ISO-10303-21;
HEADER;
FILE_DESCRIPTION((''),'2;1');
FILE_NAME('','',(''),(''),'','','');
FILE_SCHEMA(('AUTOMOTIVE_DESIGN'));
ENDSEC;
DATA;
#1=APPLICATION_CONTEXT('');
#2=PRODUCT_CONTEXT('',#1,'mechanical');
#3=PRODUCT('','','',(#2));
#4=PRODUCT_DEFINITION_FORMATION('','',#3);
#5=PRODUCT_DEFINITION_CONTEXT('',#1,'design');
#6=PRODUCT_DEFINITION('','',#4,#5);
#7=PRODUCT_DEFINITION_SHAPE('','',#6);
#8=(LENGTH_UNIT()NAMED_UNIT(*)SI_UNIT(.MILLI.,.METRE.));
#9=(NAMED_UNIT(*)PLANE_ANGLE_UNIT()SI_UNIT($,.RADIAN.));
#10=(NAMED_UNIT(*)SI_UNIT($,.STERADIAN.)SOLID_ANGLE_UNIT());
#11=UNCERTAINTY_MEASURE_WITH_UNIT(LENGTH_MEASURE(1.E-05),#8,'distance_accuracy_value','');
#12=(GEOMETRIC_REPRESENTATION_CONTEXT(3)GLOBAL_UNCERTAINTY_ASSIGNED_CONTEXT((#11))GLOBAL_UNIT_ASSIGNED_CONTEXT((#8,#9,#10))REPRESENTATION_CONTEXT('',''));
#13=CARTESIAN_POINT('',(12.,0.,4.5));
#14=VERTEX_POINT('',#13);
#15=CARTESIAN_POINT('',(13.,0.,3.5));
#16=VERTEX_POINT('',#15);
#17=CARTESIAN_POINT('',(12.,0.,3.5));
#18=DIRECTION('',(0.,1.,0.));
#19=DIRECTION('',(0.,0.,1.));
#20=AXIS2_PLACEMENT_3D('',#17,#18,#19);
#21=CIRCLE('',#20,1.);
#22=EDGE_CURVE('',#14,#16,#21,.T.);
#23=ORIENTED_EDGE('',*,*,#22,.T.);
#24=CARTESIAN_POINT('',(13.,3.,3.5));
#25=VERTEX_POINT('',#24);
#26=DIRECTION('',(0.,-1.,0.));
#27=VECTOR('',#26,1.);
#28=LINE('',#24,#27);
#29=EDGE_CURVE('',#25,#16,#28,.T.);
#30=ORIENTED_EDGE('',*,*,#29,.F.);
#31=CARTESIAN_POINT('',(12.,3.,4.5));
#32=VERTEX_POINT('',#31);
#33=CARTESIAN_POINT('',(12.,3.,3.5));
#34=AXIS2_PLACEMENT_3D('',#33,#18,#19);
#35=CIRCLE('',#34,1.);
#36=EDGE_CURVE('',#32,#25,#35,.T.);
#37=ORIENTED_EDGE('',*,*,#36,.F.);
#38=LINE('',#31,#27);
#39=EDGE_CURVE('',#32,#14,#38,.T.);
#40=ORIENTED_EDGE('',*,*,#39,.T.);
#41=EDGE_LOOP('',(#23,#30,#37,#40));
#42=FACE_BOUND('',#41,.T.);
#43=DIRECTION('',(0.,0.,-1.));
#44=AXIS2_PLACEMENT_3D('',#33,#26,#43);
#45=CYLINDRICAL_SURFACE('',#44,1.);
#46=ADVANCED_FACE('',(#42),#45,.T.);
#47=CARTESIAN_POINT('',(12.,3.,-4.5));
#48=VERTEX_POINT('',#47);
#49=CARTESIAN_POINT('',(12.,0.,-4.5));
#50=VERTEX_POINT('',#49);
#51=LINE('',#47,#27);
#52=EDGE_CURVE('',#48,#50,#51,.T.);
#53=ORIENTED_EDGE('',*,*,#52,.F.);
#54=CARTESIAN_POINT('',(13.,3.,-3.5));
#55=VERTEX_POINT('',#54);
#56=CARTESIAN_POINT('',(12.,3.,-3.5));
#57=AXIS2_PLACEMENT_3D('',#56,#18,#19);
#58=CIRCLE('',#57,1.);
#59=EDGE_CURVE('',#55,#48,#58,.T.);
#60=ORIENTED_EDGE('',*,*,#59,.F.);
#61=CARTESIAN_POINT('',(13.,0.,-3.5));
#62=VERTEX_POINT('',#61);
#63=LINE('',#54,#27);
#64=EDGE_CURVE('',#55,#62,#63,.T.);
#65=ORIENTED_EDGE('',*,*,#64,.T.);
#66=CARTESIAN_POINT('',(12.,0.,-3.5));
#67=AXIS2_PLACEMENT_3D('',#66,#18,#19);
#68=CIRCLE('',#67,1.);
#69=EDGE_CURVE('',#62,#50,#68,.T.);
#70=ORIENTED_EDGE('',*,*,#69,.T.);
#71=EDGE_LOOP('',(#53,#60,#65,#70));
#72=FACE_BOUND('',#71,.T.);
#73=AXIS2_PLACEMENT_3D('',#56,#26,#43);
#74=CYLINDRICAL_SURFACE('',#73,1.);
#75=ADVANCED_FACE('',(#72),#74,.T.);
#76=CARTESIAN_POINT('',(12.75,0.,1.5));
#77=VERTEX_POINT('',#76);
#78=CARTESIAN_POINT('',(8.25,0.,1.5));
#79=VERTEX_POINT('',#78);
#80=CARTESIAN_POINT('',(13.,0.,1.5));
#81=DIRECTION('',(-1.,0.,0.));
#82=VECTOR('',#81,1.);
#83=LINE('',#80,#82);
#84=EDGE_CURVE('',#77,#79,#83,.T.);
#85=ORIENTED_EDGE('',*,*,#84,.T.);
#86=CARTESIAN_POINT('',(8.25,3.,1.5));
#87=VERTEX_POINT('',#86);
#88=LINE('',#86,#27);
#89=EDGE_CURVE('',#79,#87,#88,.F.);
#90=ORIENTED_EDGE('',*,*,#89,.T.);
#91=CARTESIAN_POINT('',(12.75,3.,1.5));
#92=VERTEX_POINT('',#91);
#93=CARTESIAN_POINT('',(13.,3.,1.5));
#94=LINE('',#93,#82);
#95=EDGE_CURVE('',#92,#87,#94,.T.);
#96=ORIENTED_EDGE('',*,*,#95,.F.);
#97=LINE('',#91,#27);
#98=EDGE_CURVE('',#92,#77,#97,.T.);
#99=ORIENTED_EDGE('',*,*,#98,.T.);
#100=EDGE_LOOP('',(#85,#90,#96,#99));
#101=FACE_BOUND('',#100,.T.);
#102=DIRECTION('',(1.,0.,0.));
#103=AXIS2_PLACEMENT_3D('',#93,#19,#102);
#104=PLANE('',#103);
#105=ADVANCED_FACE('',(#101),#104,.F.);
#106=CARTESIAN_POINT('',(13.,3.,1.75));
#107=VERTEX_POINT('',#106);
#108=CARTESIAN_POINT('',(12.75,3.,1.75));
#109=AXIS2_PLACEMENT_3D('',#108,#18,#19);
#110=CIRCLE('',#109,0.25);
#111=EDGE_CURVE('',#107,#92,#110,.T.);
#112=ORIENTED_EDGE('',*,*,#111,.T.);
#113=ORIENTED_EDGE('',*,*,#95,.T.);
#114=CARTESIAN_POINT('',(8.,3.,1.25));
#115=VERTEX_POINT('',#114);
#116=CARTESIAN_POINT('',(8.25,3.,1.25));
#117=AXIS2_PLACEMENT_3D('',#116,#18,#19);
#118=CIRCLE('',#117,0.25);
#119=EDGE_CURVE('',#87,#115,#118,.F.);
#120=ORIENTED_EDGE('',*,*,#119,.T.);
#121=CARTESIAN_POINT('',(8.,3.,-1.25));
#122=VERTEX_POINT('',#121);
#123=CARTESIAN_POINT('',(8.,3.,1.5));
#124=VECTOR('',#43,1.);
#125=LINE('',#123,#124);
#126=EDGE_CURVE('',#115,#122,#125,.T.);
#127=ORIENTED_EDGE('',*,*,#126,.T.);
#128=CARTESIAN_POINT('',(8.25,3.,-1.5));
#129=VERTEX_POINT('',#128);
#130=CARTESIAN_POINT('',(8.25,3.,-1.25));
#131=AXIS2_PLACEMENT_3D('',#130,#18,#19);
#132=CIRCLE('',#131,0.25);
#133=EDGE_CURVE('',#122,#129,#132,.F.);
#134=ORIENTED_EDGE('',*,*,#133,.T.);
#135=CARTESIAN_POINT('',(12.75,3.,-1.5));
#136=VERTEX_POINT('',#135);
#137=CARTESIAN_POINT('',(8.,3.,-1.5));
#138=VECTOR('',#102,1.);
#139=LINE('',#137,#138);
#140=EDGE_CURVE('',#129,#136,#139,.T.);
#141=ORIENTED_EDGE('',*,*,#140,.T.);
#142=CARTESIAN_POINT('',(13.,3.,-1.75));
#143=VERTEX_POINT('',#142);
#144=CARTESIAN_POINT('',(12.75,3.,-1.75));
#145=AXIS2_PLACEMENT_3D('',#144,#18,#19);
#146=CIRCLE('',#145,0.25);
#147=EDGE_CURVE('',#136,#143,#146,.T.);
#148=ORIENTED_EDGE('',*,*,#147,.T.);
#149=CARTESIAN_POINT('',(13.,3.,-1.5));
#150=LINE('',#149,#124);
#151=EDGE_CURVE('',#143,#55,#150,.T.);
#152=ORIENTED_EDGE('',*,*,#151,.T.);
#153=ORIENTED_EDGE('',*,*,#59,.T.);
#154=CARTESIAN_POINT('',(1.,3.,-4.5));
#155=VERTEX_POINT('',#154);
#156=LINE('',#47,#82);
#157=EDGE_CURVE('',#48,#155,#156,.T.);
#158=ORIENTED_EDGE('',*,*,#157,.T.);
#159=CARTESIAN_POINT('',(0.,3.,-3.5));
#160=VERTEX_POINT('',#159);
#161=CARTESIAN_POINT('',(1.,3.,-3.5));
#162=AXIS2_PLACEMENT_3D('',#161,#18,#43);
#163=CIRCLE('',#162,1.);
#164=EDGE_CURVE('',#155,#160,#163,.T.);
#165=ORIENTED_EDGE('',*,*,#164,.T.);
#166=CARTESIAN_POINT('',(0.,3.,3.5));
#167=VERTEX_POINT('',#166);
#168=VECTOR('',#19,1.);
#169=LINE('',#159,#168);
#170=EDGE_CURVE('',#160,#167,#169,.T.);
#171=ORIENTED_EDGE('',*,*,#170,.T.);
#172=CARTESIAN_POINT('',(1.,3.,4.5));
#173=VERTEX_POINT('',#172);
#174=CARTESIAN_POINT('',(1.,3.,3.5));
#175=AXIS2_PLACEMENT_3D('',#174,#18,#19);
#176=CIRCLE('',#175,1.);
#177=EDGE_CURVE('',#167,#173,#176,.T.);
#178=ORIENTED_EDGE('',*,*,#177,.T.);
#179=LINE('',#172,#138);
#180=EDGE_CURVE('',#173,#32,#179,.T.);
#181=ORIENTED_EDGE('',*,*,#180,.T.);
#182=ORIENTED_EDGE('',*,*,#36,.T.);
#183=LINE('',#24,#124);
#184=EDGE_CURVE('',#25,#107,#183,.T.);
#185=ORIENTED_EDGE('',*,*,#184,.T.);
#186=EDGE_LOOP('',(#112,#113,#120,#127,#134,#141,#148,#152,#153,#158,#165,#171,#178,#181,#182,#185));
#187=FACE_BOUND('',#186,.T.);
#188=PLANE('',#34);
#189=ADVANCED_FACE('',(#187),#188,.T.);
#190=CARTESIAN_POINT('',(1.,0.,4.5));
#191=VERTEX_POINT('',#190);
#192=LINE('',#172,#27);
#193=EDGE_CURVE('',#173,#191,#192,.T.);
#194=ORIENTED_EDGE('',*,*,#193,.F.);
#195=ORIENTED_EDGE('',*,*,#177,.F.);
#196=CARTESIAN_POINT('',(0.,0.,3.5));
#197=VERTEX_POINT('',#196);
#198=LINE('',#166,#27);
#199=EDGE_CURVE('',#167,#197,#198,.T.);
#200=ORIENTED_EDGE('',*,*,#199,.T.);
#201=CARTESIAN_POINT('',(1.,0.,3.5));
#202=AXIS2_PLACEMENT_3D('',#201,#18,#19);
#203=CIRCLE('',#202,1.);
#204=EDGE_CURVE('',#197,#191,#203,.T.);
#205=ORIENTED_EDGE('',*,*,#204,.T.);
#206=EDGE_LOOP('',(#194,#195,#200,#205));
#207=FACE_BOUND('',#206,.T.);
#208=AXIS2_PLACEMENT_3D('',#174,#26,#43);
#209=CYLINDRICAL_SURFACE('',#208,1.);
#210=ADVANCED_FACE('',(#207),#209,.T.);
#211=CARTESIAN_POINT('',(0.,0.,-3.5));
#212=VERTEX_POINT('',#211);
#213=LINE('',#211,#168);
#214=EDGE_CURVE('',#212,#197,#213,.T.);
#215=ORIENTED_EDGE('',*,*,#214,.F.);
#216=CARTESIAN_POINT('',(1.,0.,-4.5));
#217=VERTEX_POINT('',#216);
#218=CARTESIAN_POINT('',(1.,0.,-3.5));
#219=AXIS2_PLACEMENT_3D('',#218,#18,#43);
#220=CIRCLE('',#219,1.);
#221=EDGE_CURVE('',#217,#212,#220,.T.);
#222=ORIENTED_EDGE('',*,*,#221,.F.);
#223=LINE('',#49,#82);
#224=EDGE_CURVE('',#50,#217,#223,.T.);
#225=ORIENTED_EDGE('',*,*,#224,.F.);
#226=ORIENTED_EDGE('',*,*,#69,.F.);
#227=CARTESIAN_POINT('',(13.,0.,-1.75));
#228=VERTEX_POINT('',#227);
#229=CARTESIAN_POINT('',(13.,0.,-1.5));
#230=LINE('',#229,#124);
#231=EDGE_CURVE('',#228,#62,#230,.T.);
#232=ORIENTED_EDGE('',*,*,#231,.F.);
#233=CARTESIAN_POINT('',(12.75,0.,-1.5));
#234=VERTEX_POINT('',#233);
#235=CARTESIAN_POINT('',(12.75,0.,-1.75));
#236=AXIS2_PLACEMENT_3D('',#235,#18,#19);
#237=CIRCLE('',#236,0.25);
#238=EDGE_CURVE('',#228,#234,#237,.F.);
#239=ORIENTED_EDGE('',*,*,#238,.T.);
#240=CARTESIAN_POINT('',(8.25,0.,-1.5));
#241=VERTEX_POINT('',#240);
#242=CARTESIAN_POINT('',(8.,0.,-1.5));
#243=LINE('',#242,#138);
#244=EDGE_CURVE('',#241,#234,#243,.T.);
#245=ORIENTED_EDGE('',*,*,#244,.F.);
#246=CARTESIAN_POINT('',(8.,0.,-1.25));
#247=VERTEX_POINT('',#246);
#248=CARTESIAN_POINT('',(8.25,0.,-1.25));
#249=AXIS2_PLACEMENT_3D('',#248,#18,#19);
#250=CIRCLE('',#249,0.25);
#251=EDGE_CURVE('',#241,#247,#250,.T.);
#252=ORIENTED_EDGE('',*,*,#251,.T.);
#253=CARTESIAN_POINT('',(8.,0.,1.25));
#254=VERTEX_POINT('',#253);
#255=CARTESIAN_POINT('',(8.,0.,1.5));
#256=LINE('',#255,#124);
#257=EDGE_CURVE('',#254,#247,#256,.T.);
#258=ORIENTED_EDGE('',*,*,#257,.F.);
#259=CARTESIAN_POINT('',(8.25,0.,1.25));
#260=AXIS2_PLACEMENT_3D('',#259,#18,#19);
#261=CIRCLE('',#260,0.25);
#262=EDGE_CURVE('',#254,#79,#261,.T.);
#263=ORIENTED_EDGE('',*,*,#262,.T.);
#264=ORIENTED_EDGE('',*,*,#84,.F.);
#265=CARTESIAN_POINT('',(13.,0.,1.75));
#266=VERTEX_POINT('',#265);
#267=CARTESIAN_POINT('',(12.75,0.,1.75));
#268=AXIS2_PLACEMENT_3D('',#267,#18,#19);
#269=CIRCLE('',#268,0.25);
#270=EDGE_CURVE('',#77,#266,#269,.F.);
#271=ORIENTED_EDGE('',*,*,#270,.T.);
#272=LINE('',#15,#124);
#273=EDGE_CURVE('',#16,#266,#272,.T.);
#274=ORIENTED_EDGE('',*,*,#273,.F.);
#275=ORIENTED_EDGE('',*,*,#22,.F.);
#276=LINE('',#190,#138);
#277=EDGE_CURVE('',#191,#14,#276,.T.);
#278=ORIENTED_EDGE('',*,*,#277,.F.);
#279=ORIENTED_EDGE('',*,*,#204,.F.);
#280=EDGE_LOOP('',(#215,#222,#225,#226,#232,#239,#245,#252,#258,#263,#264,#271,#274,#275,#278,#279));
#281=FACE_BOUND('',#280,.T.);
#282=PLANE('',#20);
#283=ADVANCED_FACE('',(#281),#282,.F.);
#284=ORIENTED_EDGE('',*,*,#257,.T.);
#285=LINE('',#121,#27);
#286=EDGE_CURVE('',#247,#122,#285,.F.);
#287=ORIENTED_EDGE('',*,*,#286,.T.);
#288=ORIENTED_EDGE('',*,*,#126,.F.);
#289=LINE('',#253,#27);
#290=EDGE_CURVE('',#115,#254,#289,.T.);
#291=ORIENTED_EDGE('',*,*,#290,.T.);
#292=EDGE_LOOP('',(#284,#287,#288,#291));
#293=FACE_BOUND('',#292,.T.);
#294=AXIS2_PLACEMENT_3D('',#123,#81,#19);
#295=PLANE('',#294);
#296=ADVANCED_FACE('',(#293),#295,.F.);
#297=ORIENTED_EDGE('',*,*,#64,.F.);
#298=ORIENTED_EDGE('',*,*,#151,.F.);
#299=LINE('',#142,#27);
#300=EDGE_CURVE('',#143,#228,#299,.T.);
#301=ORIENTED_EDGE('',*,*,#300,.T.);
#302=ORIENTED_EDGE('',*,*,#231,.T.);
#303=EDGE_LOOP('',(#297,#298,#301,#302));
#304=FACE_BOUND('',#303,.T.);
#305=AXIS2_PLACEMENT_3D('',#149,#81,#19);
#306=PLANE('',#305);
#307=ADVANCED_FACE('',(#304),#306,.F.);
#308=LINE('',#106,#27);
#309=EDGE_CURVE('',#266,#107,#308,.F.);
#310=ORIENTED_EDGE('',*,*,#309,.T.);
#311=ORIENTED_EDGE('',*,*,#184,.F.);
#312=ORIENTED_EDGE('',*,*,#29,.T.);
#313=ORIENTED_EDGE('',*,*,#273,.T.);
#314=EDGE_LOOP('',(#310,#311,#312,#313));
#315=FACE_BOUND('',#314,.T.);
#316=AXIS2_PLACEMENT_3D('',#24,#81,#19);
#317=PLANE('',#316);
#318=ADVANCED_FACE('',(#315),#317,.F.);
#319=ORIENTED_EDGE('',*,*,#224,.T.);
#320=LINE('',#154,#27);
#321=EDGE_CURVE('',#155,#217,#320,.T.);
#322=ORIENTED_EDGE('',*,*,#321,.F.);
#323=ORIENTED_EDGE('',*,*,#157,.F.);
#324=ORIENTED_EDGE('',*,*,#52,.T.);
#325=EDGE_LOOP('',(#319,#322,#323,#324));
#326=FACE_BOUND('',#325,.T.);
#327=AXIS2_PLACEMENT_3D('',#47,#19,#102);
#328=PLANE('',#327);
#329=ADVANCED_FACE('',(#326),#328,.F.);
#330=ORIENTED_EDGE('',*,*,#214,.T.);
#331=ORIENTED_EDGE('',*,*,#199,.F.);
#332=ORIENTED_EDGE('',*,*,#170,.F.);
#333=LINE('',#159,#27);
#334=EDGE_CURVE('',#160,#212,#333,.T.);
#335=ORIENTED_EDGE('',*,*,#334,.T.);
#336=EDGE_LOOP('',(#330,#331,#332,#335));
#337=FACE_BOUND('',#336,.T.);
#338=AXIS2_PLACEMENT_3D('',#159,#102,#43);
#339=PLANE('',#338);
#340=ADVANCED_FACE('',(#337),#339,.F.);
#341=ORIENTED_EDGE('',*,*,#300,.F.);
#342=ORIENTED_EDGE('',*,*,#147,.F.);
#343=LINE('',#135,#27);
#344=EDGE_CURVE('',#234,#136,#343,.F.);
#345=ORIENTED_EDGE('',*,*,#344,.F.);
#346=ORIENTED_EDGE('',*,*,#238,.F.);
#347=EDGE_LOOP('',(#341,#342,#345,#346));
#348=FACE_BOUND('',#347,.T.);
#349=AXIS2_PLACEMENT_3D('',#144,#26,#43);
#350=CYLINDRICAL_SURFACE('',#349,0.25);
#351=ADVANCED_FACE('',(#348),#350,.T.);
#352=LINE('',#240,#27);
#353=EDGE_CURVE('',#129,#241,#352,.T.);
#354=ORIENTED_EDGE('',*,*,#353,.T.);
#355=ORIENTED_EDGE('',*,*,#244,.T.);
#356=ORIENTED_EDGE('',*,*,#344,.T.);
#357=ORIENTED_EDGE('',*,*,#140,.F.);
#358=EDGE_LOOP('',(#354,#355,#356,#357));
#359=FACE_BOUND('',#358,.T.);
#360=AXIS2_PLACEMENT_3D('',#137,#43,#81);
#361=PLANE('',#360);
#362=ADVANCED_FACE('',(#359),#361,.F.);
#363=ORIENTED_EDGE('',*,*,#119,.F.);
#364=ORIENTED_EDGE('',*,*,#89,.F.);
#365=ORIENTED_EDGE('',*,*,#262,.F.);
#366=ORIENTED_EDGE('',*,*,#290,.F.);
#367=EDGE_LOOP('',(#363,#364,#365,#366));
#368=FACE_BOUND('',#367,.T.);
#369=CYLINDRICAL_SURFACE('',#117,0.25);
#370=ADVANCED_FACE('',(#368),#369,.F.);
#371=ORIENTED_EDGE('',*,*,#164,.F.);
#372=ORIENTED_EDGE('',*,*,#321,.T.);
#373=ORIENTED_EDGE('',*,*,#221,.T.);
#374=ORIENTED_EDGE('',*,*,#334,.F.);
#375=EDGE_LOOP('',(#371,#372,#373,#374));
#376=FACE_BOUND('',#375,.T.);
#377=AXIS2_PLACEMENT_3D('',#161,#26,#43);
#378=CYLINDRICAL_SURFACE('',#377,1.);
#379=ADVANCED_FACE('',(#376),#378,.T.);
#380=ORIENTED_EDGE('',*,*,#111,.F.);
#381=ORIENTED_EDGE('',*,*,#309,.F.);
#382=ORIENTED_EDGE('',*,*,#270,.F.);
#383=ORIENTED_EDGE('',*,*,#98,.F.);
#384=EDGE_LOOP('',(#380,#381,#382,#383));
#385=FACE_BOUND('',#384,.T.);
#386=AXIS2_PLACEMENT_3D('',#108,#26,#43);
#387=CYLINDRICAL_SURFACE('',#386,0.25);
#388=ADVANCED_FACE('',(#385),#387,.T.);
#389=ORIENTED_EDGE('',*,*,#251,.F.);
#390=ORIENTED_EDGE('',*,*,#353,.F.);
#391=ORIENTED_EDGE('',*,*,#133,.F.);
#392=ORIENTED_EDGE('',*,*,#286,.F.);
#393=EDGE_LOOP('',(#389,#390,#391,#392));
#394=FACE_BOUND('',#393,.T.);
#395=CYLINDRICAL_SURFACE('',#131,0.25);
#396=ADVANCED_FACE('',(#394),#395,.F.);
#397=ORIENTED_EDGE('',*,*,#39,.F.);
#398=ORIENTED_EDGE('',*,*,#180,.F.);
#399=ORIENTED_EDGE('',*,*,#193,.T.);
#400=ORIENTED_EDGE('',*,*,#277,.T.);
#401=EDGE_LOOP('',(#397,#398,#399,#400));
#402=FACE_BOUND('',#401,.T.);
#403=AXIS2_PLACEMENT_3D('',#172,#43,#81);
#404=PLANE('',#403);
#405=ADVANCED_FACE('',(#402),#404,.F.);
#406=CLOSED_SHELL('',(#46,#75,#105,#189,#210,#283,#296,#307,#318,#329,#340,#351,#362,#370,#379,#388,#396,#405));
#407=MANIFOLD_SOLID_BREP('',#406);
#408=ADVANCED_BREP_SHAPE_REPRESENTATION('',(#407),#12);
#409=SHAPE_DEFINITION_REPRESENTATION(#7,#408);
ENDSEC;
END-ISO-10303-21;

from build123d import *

# Parameters (mm, degrees)
SALIENTE_EXTRUIR1_DEPTH = 3
REDONDEO1_R             = 0.25


with BuildPart() as part:
    # Croquis1 → Saliente-Extruir1 (new body)
    with BuildSketch(Plane(origin=(0, 0, 0), x_dir=(1, 0, 0), z_dir=(0, 1, 0))):
        with BuildLine():
            Line((0, 3.5), (0, -3.5))
            ThreePointArc((0, -3.5), (0.292893219, -4.207106781), (1, -4.5))
            Line((1, -4.5), (12, -4.5))
            ThreePointArc((12, -4.5), (12.707106781, -4.207106781), (13, -3.5))
            Line((13, -3.5), (13, -1.5))
            Line((13, -1.5), (8, -1.5))
            Line((8, -1.5), (8, 1.5))
            Line((8, 1.5), (13, 1.5))
            Line((13, 1.5), (13, 3.5))
            ThreePointArc((13, 3.5), (12.707106781, 4.207106781), (12, 4.5))
            Line((12, 4.5), (1, 4.5))
            ThreePointArc((1, 4.5), (0.292893219, 4.207106781), (0, 3.5))
        make_face()
    extrude(amount=SALIENTE_EXTRUIR1_DEPTH)

    # Redondeo1
    redondeo1_edges = [part.edges().sort_by_distance(p)[0] for p in [
        (13, 1.5, -1.5),
        (8, 1.5, -1.5),
        (8, 1.5, 1.5),
        (13, 1.5, 1.5),
    ]]
    fillet(redondeo1_edges, radius=REDONDEO1_R)


solid = part.part
